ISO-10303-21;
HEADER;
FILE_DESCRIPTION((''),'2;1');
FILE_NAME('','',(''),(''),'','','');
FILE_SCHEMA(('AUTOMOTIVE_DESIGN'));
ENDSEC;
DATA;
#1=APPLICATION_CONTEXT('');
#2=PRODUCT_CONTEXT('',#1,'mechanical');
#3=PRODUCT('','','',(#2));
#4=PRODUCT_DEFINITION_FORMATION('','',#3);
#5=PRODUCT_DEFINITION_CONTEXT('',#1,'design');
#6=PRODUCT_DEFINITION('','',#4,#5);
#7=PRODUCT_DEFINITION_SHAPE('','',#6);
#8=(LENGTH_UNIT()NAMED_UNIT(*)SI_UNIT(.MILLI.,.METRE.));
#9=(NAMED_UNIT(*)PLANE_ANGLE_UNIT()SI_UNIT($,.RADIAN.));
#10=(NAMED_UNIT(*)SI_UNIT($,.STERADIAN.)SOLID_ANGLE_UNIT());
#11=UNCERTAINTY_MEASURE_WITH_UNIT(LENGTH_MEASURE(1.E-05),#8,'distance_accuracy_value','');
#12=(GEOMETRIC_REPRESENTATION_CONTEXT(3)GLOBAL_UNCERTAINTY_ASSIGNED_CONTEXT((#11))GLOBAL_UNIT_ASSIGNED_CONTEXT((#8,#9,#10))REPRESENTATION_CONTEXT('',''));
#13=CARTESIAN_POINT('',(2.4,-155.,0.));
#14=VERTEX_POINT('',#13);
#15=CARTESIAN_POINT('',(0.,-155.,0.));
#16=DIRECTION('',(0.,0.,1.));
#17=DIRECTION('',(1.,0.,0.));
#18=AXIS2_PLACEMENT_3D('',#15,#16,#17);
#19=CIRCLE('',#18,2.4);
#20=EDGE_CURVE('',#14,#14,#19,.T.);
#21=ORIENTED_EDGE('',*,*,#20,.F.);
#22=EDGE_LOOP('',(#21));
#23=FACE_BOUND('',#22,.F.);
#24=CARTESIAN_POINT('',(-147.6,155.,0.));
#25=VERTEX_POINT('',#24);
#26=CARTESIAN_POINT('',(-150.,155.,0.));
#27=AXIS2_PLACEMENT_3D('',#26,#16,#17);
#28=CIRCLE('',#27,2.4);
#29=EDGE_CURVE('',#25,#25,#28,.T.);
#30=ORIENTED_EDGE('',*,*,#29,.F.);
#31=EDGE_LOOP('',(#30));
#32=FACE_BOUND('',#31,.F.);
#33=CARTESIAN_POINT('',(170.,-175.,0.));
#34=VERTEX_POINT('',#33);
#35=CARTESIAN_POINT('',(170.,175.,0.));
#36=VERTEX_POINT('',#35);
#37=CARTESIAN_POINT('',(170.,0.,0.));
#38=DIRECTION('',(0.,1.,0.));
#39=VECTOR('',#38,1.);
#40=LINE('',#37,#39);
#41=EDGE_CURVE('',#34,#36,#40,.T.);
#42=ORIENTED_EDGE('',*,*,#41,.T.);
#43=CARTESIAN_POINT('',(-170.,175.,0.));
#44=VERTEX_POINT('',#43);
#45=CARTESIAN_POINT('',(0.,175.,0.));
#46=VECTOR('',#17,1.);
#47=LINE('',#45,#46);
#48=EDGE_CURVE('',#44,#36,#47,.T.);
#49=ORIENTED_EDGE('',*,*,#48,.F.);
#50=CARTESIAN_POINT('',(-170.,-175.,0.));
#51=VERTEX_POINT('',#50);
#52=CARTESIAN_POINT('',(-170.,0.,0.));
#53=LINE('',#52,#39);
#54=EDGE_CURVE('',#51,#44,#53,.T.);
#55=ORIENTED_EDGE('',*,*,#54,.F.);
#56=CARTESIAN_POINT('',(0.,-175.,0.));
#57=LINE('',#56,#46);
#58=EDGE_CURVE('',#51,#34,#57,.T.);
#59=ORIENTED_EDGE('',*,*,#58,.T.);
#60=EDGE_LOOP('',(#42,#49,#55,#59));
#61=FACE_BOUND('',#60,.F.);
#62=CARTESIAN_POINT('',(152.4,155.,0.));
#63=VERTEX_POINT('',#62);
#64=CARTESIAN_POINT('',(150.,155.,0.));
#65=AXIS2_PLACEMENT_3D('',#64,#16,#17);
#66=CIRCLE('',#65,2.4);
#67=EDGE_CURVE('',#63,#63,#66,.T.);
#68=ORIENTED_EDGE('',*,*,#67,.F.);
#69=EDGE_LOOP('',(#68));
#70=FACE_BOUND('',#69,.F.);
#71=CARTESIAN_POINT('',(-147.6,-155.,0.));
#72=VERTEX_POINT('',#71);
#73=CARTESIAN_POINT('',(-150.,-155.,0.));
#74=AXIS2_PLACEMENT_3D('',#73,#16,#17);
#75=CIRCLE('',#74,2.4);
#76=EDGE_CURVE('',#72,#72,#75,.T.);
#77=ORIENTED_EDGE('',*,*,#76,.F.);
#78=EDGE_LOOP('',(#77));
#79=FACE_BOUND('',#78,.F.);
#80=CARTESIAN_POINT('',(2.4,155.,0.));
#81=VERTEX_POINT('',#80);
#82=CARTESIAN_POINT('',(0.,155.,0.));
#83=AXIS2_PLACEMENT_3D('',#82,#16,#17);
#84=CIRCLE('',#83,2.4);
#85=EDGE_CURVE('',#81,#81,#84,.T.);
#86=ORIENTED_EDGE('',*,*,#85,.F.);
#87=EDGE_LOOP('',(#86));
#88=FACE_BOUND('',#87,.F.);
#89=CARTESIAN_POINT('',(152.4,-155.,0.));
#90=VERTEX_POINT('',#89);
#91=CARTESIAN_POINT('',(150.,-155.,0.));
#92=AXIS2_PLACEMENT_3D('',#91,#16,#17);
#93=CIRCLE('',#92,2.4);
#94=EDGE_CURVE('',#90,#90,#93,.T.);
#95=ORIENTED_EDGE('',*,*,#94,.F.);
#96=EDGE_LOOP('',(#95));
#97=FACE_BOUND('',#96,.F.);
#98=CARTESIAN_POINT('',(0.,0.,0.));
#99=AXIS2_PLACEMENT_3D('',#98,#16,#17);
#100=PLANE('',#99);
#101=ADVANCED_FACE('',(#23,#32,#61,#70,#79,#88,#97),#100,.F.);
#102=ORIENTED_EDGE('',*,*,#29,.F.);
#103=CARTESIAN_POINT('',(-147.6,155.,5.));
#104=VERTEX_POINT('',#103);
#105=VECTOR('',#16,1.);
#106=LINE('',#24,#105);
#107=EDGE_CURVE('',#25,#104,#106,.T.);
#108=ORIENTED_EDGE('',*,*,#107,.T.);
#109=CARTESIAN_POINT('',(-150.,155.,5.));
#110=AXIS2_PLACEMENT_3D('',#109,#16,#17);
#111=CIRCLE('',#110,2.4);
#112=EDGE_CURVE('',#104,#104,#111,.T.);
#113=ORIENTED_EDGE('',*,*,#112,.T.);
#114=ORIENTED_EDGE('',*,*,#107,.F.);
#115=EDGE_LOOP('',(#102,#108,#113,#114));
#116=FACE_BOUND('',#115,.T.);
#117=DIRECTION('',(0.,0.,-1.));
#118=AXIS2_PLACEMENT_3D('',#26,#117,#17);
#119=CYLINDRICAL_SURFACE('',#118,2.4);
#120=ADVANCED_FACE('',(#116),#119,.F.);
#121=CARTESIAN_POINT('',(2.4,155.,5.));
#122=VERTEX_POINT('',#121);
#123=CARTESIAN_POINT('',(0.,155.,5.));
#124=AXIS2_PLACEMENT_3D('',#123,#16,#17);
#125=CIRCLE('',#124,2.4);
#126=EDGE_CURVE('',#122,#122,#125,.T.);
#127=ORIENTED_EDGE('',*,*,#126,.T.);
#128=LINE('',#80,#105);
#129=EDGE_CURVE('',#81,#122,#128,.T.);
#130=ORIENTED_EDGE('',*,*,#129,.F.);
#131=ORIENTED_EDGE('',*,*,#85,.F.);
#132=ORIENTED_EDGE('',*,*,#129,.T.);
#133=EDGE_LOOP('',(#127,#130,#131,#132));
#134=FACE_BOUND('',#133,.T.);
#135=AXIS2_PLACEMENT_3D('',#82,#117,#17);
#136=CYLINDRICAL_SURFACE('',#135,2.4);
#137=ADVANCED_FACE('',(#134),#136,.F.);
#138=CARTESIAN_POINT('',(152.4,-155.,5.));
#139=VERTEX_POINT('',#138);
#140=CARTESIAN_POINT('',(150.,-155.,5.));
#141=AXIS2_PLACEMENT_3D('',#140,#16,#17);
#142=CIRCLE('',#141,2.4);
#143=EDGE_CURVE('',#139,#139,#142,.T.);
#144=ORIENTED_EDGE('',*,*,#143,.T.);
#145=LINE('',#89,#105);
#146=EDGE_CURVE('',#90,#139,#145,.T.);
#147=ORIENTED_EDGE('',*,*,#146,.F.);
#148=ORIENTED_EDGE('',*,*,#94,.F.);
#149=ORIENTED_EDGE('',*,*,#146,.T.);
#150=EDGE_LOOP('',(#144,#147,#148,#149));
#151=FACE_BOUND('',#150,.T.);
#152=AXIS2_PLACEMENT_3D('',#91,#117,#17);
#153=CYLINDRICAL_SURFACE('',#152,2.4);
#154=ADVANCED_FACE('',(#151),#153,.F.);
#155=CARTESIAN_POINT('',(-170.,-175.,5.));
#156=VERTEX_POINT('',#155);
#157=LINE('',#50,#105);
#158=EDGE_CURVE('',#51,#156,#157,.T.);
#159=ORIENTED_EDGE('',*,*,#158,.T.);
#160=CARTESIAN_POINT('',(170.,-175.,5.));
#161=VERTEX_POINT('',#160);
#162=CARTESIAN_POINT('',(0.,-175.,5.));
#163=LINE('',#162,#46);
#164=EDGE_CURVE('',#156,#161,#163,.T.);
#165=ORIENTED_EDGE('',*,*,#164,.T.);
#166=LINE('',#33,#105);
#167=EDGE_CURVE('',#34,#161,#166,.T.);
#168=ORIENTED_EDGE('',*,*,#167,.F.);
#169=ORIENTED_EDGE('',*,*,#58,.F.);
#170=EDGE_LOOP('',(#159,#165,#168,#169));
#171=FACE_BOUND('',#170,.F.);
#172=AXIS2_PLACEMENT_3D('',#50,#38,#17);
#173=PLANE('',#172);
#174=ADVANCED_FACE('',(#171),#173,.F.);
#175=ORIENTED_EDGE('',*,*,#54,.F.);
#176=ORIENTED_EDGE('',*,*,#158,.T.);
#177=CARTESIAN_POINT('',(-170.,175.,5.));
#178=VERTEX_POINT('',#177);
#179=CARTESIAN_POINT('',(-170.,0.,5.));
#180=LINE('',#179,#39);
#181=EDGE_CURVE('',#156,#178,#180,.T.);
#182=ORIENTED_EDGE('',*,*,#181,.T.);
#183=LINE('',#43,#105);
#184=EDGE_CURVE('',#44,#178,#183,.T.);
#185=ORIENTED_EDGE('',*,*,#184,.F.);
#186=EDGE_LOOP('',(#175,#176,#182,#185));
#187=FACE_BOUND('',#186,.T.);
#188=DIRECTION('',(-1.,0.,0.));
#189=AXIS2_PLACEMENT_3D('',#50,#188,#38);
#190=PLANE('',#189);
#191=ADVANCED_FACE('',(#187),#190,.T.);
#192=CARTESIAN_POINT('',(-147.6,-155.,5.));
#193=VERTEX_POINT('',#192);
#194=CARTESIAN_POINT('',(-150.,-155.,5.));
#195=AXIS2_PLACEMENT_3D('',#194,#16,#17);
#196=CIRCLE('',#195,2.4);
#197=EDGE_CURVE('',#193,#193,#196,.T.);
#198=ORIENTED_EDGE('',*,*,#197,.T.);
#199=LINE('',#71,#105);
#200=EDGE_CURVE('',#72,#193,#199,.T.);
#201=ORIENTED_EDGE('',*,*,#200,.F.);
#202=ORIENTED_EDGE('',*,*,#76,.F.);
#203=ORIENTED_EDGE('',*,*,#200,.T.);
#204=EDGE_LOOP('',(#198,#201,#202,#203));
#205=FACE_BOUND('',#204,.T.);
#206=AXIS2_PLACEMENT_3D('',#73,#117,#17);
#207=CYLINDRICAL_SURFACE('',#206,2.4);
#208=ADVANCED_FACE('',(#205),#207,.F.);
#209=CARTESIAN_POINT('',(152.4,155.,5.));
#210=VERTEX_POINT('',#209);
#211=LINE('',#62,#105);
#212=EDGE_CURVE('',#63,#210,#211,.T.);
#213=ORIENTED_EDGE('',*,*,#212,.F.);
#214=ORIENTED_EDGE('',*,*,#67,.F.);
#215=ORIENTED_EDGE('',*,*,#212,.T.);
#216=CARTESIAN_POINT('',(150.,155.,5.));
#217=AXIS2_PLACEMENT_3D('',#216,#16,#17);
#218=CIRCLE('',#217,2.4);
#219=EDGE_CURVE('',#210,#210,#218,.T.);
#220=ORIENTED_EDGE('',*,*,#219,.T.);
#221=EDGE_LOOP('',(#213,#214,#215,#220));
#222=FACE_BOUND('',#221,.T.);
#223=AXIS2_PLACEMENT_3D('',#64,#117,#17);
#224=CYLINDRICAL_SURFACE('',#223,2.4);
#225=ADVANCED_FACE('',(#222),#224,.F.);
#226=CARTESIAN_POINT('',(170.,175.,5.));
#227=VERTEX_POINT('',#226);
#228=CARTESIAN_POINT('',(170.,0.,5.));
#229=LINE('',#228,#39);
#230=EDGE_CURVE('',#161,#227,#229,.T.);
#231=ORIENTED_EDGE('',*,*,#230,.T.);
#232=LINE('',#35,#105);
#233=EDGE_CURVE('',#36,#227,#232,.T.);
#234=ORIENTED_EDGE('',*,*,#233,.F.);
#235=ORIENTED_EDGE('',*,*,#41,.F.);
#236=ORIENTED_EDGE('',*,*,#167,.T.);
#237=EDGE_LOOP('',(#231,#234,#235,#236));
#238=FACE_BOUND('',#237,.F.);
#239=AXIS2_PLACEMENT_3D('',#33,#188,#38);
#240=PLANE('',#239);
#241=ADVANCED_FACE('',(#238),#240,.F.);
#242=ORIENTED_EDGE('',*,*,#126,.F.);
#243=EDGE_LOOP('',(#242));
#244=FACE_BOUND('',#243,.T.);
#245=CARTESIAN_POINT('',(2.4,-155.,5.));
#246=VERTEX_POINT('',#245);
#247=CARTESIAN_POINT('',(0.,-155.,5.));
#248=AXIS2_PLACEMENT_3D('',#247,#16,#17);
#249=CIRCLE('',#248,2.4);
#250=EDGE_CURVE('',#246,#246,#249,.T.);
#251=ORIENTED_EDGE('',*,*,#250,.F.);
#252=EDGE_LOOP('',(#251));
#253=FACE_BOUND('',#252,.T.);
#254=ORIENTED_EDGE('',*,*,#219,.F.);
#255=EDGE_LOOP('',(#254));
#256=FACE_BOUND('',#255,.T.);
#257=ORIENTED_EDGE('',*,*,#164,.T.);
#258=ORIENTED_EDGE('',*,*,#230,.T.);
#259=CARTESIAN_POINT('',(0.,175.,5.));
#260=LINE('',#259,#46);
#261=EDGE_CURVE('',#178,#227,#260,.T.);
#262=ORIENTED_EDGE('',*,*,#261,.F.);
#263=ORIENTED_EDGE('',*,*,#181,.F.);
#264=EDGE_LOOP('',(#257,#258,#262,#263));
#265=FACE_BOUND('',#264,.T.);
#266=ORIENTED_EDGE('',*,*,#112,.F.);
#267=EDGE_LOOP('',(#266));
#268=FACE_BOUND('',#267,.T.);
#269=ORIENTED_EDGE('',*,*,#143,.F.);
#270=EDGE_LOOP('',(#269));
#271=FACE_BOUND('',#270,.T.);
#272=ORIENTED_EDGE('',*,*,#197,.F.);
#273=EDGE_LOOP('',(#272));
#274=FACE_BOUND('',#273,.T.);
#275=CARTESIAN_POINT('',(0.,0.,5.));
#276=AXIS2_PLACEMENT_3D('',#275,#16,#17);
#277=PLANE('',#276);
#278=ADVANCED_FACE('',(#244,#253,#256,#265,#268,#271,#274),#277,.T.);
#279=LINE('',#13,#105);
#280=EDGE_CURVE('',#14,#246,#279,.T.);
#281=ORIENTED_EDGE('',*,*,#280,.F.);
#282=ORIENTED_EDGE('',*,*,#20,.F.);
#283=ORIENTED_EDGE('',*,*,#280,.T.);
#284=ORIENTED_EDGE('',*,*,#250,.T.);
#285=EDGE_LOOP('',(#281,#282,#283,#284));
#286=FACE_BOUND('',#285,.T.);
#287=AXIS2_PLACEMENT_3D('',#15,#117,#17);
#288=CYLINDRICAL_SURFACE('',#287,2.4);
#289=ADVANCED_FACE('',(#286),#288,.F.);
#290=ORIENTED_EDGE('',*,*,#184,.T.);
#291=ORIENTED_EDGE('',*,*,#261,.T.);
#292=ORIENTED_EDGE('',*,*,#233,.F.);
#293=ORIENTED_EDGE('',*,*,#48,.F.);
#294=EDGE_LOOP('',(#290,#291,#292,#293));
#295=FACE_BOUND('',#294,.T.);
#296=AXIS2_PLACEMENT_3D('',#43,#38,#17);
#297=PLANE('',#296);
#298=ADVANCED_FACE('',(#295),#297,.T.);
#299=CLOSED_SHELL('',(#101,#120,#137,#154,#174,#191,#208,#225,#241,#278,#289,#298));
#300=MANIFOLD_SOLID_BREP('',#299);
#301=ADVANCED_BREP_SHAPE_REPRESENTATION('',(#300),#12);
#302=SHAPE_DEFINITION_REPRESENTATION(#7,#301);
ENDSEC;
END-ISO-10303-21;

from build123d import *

# Parameters (mm, degrees)
SKETCH_W  = 340
SKETCH_H  = 350
SKETCH_R  = 2.4
PAD_DEPTH = 5


with BuildPart() as part:
    # Sketch → Pad (new body)
    with BuildSketch(Plane.XY):
        Rectangle(SKETCH_W, SKETCH_H)
        with Locations((-150, 155)):
            Circle(SKETCH_R, mode=Mode.SUBTRACT)
        with Locations((150, 155)):
            Circle(SKETCH_R, mode=Mode.SUBTRACT)
        with Locations((150, -155)):
            Circle(SKETCH_R, mode=Mode.SUBTRACT)
        with Locations((-150, -155)):
            Circle(SKETCH_R, mode=Mode.SUBTRACT)
        with Locations((0, -155)):
            Circle(SKETCH_R, mode=Mode.SUBTRACT)
        with Locations((0, 155)):
            Circle(SKETCH_R, mode=Mode.SUBTRACT)
    extrude(amount=PAD_DEPTH)


solid = part.part
